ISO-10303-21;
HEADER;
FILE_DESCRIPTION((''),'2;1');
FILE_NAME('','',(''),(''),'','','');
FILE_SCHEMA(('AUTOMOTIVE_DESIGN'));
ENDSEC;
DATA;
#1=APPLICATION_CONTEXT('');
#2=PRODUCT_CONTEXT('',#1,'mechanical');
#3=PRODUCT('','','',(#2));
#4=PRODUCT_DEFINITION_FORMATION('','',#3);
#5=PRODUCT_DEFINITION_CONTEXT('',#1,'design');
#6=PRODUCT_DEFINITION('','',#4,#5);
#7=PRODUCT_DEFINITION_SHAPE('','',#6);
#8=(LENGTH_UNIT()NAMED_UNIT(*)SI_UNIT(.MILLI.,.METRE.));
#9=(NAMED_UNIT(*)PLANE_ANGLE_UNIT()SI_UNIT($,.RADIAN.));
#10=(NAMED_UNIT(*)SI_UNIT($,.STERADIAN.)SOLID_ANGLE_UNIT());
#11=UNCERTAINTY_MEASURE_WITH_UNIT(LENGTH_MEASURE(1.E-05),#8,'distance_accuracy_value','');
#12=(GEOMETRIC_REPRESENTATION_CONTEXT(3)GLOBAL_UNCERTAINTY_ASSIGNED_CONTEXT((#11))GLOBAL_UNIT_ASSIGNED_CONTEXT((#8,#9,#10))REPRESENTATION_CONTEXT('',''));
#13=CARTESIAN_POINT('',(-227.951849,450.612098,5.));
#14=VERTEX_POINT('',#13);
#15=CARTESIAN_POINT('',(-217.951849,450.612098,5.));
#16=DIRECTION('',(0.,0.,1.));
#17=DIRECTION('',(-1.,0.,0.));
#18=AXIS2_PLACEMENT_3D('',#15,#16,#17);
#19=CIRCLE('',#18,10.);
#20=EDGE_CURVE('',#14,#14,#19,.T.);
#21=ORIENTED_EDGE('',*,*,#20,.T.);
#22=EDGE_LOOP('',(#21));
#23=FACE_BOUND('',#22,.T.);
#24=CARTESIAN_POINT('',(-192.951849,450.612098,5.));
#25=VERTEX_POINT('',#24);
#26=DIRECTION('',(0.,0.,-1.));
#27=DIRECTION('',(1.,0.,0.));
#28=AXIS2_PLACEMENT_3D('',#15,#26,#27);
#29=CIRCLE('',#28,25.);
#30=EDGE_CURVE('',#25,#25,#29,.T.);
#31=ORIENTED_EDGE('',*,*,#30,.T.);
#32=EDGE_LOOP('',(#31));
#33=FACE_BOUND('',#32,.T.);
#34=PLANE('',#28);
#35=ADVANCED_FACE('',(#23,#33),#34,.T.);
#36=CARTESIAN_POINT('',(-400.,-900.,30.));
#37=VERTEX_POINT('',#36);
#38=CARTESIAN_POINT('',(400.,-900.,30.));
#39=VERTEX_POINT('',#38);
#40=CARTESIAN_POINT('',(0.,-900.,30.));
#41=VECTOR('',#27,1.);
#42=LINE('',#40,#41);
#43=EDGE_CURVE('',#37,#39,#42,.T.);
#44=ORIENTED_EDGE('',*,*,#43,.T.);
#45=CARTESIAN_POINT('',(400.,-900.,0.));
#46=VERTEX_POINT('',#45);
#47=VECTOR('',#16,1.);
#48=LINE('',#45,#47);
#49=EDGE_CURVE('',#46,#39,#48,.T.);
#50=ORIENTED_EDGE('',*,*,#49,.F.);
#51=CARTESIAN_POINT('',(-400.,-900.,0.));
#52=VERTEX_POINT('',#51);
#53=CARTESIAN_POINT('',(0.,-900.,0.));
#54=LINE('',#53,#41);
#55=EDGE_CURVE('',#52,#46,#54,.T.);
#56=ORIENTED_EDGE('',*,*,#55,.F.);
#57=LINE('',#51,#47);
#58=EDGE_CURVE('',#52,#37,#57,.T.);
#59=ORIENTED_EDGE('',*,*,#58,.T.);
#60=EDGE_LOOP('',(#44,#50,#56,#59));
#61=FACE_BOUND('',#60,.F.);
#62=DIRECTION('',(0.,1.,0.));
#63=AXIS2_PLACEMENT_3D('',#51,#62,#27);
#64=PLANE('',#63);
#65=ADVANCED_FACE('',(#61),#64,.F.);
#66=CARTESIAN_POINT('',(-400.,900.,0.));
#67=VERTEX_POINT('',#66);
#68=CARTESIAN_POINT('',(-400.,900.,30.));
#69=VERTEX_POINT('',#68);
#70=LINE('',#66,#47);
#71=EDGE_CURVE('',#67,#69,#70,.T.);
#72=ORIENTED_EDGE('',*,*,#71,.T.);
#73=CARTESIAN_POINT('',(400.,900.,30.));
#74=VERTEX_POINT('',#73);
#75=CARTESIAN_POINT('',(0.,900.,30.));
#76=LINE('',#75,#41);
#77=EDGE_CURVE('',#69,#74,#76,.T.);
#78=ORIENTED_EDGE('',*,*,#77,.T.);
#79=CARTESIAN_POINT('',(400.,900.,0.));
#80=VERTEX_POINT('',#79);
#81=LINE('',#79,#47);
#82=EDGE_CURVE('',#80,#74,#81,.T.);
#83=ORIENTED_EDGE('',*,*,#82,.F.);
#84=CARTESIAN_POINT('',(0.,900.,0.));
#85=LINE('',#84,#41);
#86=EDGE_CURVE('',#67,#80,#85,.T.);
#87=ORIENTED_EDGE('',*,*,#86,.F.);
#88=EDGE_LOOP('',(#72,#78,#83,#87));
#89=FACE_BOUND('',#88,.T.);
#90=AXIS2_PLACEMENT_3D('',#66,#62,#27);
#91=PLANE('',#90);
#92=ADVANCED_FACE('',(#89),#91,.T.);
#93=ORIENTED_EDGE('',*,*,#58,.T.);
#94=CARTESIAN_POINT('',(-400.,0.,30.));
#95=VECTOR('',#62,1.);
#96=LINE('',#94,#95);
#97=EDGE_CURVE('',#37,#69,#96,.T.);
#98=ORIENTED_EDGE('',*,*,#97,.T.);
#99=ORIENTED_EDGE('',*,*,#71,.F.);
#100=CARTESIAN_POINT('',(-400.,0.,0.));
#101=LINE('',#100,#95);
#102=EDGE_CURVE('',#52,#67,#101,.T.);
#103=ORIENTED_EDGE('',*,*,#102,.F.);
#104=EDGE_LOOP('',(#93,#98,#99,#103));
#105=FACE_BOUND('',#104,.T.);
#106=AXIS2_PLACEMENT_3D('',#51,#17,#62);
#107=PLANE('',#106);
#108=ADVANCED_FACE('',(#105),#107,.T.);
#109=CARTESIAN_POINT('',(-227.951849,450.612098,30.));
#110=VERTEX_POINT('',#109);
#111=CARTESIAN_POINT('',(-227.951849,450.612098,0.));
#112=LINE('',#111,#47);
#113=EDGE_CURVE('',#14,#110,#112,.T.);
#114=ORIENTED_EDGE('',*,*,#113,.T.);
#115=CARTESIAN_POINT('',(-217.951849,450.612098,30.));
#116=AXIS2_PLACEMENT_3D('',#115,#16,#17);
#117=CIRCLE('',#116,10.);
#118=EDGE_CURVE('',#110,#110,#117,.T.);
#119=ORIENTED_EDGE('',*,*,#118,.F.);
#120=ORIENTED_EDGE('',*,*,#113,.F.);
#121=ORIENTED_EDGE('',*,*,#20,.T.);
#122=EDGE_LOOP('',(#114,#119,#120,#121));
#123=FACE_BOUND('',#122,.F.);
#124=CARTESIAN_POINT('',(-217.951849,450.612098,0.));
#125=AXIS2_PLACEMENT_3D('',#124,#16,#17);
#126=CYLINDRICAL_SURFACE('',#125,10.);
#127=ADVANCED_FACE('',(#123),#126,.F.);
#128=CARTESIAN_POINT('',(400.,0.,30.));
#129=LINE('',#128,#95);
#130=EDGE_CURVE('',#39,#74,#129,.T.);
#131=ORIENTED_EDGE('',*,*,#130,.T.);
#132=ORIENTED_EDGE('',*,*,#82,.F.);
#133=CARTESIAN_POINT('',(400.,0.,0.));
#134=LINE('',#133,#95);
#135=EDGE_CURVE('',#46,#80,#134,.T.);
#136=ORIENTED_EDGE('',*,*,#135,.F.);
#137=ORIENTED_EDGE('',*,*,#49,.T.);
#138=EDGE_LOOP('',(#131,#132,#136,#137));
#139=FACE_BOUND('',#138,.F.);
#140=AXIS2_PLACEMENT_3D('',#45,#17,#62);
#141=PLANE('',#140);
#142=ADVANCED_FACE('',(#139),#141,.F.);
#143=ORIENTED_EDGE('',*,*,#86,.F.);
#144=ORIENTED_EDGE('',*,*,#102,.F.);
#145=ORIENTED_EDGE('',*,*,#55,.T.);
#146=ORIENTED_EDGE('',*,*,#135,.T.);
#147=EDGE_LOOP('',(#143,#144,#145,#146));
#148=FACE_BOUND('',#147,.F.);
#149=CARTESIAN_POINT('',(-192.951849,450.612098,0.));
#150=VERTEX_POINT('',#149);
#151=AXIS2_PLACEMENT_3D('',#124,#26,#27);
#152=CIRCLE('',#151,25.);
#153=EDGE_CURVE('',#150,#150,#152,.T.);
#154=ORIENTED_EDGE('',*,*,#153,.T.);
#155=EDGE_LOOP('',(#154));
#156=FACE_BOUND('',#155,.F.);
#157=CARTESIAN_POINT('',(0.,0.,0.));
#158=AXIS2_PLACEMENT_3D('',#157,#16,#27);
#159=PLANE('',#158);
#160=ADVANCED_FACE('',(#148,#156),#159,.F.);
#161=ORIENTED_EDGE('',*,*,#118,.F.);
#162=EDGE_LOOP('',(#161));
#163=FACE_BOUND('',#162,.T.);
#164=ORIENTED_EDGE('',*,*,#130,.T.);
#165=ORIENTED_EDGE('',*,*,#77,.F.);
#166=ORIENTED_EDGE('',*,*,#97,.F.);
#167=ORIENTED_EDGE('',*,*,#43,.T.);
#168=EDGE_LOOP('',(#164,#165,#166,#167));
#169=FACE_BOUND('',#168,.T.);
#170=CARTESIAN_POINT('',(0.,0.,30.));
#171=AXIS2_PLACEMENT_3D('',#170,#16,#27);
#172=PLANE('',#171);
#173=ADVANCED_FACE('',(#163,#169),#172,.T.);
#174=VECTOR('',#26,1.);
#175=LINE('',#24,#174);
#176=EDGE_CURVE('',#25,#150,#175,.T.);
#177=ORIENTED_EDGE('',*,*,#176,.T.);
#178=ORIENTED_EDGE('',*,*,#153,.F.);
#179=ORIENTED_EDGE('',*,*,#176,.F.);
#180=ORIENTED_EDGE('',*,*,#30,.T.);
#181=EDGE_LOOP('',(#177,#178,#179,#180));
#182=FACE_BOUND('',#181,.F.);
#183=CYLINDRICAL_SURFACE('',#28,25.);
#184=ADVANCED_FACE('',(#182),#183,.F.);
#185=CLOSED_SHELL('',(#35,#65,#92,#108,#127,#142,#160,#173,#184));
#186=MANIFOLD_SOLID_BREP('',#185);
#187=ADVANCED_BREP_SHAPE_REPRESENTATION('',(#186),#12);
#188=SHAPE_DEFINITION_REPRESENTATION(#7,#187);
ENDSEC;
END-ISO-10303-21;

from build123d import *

# Parameters (mm, degrees)
F0_W           = 800
F0_H           = 1800
F1_DEPTH       = 30
F3_D           = 20
F3_CBORE_D     = 50
F3_CBORE_DEPTH = 5


with BuildPart() as f1:
    # F0 (on Top) → F1 (new body)
    with BuildSketch(Plane.XY):
        Rectangle(F0_W, F0_H)
    extrude(amount=F1_DEPTH)

    # F3 (through all)
    with Locations(Plane(origin=(0, 0, 0), x_dir=(1, 0, 0), z_dir=(0, 0, -1))):
        with Locations((-217.951849103, -450.6120979786)):
            CounterBoreHole(F3_D / 2, F3_CBORE_D / 2, F3_CBORE_DEPTH)


solid = f1.part
